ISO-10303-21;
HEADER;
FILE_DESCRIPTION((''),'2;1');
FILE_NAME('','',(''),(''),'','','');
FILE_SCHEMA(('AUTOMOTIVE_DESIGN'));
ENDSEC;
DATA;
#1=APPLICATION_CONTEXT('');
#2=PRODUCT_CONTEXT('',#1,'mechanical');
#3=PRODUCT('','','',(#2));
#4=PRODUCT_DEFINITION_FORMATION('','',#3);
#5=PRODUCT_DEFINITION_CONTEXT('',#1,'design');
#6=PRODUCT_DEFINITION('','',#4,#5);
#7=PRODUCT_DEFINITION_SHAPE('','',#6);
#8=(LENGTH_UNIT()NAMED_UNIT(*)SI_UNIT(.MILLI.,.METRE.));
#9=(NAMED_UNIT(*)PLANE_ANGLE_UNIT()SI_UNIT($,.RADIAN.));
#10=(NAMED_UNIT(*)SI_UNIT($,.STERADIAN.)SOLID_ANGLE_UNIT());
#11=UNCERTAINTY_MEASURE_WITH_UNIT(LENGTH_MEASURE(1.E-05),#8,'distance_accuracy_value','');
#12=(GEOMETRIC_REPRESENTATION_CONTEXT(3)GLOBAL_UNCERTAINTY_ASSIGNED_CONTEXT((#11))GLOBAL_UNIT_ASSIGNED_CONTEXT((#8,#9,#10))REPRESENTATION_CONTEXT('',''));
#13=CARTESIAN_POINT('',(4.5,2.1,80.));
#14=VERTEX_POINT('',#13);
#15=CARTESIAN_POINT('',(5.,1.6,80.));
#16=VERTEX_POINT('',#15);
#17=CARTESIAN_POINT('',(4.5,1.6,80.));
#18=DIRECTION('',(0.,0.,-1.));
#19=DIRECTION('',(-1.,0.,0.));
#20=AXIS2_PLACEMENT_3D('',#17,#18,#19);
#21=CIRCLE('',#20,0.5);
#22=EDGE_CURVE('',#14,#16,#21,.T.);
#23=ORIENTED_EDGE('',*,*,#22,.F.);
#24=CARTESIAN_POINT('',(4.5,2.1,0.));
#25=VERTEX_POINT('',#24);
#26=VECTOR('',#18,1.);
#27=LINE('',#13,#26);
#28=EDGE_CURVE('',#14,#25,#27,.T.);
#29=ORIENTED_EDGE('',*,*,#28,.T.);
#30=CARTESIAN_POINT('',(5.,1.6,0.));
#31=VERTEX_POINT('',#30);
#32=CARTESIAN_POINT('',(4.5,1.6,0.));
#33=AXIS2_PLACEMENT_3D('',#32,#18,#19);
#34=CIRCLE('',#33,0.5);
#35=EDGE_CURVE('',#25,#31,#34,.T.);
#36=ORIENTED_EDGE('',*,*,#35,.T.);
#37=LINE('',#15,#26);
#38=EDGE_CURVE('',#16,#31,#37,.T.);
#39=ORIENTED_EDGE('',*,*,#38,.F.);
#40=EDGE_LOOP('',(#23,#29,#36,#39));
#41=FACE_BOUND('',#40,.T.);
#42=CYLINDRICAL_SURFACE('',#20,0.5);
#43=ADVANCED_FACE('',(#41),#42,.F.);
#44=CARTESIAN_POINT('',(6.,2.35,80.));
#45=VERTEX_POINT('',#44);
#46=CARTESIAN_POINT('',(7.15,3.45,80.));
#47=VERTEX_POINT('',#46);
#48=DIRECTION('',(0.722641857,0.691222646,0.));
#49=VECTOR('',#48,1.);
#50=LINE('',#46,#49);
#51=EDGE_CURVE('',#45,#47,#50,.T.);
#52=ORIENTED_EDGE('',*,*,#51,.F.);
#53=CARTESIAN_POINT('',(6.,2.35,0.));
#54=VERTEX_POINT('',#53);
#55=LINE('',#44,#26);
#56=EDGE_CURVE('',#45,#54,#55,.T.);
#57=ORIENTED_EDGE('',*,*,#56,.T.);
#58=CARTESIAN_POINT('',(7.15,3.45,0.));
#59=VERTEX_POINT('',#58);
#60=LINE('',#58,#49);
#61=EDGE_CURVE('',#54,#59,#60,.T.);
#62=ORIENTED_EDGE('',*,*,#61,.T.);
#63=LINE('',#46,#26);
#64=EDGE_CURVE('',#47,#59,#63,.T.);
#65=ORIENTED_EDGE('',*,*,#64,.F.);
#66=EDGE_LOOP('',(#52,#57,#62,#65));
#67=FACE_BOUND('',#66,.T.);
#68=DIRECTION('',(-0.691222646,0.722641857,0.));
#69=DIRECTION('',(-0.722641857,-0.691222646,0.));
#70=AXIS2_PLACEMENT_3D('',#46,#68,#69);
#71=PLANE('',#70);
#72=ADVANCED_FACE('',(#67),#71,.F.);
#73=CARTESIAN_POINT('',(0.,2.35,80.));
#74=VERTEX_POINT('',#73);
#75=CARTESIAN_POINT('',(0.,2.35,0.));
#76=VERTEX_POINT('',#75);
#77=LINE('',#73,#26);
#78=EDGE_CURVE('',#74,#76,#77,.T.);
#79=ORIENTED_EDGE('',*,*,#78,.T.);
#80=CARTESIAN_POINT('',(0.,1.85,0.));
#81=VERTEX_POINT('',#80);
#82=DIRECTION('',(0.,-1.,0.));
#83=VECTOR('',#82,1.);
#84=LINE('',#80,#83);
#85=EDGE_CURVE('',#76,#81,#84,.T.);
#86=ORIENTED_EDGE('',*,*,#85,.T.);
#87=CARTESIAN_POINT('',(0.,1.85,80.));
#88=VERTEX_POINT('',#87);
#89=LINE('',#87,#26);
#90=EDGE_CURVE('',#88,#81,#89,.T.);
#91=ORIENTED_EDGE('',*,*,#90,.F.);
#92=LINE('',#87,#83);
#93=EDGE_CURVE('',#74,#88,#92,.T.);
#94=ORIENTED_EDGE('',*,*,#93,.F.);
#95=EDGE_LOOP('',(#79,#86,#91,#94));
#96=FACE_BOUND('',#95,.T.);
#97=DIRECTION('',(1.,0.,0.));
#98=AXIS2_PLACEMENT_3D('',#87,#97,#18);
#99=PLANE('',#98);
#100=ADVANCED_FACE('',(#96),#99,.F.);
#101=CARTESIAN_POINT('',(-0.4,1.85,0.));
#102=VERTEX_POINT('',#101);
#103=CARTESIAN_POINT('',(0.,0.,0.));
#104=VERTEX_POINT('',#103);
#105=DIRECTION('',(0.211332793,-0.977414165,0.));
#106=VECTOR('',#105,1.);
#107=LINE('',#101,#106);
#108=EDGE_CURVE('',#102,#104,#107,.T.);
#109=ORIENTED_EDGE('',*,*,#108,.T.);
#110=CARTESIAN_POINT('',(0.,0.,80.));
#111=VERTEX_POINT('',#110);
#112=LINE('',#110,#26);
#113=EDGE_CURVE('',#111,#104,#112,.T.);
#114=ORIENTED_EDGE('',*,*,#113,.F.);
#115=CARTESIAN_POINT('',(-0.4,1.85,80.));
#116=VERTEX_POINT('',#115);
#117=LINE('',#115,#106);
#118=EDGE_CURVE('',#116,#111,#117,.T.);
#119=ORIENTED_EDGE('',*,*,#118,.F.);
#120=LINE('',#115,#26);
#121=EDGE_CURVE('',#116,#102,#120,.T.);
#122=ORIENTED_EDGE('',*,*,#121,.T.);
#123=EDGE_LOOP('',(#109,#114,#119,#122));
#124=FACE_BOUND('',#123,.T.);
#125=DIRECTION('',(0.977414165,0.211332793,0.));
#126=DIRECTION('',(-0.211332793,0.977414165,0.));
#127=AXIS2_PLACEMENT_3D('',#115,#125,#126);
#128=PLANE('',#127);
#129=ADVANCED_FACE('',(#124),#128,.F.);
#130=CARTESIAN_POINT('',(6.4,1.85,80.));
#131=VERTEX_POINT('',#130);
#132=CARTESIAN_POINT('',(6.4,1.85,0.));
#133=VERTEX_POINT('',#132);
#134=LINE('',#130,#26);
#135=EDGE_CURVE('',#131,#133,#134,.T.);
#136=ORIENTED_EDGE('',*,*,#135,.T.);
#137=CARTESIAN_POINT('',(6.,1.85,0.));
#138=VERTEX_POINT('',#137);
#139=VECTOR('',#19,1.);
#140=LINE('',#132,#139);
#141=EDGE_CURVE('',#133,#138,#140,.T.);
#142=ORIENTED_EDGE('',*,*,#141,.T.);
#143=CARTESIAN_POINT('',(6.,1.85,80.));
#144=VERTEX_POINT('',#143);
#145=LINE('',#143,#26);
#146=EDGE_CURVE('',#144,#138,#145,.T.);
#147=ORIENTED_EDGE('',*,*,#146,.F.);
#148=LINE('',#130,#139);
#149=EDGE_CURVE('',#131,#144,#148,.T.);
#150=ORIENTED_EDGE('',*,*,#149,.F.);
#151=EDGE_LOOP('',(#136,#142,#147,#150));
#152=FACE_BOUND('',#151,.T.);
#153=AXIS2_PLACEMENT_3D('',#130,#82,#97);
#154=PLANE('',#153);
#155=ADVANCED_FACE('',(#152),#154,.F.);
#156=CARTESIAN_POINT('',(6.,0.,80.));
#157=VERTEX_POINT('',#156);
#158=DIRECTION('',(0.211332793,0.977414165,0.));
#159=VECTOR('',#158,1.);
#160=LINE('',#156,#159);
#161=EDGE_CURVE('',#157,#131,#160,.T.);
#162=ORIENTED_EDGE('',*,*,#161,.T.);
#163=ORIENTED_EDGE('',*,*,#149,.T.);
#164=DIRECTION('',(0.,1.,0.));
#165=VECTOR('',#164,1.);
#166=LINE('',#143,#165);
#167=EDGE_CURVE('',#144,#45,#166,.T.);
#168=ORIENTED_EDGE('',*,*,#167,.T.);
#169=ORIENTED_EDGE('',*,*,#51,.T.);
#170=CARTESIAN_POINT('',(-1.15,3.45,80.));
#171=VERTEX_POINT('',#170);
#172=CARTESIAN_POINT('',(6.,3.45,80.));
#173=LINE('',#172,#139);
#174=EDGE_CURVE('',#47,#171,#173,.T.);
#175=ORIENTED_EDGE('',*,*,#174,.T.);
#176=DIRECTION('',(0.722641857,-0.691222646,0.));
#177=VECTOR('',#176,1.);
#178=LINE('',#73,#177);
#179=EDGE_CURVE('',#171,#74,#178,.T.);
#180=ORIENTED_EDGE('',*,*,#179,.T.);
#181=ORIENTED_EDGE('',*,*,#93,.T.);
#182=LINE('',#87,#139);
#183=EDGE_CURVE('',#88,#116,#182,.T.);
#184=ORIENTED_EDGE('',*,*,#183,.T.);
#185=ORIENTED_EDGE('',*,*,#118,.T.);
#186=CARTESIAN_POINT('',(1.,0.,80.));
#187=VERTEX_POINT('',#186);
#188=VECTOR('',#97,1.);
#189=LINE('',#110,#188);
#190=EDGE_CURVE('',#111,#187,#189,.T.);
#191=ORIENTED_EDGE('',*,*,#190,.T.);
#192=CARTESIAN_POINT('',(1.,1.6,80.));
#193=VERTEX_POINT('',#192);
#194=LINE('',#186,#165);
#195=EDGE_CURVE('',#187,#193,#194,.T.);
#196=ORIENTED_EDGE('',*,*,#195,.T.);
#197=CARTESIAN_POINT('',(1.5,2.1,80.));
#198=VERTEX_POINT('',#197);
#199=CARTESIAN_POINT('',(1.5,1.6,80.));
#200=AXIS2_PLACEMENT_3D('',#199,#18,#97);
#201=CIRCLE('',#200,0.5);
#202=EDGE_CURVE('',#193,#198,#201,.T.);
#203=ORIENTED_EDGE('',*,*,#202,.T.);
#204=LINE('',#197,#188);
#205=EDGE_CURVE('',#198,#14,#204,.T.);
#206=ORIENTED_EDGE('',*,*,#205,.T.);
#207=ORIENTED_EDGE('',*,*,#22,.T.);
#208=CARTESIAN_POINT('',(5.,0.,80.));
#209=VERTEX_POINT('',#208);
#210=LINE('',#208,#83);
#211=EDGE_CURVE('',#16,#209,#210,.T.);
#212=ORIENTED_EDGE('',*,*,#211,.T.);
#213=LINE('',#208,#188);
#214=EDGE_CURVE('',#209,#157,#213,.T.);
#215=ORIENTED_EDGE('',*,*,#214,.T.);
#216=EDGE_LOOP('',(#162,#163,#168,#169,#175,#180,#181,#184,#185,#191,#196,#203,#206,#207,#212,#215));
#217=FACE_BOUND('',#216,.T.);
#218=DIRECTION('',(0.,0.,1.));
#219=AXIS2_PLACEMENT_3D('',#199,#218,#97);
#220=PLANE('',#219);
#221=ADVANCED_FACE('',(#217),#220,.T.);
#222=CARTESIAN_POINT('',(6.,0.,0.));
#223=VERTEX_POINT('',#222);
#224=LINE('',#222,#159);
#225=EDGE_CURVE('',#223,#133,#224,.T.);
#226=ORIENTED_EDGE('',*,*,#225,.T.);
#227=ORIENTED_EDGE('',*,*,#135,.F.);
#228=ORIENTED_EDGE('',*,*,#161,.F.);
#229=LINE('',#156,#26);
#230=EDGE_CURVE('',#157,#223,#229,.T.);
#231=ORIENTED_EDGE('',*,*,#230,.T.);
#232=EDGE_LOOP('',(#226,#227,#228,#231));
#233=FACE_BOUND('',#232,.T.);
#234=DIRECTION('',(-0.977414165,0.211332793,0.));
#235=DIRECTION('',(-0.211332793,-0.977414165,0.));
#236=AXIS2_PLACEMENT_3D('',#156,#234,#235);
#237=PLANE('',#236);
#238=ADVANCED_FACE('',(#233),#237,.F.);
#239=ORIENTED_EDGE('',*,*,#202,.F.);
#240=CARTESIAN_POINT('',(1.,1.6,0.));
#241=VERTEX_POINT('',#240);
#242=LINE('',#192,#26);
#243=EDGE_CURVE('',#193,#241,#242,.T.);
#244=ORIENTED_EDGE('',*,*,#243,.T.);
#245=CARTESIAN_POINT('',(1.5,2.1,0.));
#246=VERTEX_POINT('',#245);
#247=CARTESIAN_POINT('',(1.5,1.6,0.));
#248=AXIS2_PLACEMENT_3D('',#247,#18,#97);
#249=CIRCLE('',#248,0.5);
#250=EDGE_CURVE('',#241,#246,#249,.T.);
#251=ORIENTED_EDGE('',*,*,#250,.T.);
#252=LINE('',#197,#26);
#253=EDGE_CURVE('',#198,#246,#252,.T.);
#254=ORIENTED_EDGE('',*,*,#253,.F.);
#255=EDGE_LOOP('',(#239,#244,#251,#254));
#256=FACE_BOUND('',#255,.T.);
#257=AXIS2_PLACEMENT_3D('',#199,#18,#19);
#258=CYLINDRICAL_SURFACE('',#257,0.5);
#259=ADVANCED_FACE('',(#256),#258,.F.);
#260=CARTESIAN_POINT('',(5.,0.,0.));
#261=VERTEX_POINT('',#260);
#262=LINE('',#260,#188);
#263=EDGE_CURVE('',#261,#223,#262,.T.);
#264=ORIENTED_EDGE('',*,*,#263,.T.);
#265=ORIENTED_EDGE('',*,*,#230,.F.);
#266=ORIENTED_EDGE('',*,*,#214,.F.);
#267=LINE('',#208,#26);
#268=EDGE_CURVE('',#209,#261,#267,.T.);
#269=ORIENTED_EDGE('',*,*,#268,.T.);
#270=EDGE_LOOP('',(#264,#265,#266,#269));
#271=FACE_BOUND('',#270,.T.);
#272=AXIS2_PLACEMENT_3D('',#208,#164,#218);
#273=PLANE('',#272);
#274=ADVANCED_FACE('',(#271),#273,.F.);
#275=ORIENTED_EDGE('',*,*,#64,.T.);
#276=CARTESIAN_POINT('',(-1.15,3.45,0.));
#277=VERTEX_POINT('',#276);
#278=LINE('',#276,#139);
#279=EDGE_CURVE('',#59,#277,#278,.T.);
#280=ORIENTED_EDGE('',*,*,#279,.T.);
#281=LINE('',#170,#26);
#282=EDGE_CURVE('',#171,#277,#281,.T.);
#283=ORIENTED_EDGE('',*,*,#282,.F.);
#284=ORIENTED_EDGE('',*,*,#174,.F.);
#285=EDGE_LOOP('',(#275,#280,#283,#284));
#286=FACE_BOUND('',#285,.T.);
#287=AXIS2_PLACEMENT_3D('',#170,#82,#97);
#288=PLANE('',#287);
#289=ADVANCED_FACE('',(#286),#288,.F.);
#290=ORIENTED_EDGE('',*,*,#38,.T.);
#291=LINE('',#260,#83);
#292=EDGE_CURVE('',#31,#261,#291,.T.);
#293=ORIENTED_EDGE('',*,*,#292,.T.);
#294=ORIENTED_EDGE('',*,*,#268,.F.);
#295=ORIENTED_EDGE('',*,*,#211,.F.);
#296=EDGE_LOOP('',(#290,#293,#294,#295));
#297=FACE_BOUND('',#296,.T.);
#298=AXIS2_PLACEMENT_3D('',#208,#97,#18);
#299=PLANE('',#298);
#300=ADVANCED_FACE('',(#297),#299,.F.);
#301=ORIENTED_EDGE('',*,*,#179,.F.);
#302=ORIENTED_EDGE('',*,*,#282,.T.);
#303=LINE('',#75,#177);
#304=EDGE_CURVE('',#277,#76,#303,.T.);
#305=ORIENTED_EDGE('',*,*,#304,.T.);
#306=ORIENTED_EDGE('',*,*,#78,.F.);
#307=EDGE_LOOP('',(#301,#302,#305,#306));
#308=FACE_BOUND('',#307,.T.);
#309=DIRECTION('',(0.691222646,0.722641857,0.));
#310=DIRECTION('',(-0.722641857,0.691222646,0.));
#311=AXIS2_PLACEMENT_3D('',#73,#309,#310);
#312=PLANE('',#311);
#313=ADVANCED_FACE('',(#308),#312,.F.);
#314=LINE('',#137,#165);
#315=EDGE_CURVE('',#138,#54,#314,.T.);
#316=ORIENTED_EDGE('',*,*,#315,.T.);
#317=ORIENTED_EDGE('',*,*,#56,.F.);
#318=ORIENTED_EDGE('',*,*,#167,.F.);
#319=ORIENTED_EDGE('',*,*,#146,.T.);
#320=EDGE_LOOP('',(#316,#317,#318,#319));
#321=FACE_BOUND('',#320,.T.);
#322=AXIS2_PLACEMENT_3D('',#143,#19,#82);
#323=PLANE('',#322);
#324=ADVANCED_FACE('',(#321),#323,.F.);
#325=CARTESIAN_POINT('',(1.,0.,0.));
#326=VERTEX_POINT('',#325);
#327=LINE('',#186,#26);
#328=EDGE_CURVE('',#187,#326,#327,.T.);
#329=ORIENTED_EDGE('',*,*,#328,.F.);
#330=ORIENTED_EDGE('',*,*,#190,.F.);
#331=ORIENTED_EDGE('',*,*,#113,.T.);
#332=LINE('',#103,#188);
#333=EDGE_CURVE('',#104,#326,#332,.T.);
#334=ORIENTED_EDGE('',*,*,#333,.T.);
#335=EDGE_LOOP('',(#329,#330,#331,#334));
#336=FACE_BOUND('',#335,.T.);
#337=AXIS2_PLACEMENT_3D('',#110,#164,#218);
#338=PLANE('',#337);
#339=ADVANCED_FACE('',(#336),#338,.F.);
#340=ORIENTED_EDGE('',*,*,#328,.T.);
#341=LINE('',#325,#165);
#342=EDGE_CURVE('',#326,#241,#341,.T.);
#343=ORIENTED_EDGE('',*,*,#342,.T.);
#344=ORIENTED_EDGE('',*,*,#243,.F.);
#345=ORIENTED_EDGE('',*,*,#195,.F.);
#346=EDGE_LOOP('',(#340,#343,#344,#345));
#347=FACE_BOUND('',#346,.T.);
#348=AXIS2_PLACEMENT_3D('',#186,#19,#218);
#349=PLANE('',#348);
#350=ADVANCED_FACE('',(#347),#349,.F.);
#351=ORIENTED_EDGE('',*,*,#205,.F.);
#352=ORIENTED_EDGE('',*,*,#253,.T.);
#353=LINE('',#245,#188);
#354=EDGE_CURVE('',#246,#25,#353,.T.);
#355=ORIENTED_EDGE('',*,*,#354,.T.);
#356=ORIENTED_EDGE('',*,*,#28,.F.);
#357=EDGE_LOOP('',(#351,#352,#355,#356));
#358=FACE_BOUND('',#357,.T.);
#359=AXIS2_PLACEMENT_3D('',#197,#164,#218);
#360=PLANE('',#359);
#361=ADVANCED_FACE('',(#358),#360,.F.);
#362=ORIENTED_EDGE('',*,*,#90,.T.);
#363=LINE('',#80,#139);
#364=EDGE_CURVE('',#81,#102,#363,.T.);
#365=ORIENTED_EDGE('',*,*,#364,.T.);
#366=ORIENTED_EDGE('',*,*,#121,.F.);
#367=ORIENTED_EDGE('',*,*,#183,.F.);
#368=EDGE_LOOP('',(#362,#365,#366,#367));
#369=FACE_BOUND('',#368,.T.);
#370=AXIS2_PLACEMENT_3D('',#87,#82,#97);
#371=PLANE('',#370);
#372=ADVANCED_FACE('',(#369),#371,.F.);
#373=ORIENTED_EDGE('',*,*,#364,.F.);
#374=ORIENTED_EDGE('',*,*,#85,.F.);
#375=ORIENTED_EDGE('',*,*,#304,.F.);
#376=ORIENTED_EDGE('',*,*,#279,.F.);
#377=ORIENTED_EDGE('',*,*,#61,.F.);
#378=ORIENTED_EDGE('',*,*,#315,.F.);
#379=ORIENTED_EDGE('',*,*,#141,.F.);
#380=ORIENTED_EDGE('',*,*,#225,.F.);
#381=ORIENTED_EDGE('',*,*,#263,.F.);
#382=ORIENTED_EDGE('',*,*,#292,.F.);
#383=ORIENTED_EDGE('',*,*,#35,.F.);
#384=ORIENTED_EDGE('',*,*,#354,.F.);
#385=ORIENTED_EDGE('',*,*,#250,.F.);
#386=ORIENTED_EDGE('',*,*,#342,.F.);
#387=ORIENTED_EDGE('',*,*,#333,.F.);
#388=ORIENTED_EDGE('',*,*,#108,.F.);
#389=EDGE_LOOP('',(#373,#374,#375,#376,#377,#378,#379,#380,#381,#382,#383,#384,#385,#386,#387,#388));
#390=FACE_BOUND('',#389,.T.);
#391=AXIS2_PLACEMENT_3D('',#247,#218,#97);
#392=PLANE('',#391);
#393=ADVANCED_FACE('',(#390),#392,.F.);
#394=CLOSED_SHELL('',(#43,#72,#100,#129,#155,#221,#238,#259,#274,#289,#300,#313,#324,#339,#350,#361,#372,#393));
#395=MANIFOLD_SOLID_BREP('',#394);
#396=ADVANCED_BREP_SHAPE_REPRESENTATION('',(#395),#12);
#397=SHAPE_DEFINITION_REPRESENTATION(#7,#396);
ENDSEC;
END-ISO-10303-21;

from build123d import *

# Parameters (mm, degrees)
BOSS_EXTRUDE1_DEPTH = 80


with BuildPart() as part:
    # Sketch1 → Boss-Extrude1 (new body)
    with BuildSketch(Plane.XY):
        with BuildLine():
            Line((6, 0), (6.4, 1.85))
            Line((6.4, 1.85), (6, 1.85))
            Line((6, 1.85), (6, 2.35))
            Line((6, 2.35), (7.15, 3.45))
            Line((7.15, 3.45), (6, 3.45))
            Line((6, 3.45), (0, 3.45))
            Line((0, 3.45), (-1.15, 3.45))
            Line((-1.15, 3.45), (0, 2.35))
            Line((0, 2.35), (0, 1.85))
            Line((0, 1.85), (-0.4, 1.85))
            Line((-0.4, 1.85), (0, 0))
            Line((0, 0), (1, 0))
            Line((1, 0), (1, 1.6))
            ThreePointArc((1, 1.6), (1.146446609, 1.953553391), (1.5, 2.1))
            Line((1.5, 2.1), (4.5, 2.1))
            ThreePointArc((4.5, 2.1), (4.853553391, 1.953553391), (5, 1.6))
            Line((5, 1.6), (5, 0))
            Line((5, 0), (6, 0))
        make_face()
    extrude(amount=BOSS_EXTRUDE1_DEPTH)


solid = part.part
